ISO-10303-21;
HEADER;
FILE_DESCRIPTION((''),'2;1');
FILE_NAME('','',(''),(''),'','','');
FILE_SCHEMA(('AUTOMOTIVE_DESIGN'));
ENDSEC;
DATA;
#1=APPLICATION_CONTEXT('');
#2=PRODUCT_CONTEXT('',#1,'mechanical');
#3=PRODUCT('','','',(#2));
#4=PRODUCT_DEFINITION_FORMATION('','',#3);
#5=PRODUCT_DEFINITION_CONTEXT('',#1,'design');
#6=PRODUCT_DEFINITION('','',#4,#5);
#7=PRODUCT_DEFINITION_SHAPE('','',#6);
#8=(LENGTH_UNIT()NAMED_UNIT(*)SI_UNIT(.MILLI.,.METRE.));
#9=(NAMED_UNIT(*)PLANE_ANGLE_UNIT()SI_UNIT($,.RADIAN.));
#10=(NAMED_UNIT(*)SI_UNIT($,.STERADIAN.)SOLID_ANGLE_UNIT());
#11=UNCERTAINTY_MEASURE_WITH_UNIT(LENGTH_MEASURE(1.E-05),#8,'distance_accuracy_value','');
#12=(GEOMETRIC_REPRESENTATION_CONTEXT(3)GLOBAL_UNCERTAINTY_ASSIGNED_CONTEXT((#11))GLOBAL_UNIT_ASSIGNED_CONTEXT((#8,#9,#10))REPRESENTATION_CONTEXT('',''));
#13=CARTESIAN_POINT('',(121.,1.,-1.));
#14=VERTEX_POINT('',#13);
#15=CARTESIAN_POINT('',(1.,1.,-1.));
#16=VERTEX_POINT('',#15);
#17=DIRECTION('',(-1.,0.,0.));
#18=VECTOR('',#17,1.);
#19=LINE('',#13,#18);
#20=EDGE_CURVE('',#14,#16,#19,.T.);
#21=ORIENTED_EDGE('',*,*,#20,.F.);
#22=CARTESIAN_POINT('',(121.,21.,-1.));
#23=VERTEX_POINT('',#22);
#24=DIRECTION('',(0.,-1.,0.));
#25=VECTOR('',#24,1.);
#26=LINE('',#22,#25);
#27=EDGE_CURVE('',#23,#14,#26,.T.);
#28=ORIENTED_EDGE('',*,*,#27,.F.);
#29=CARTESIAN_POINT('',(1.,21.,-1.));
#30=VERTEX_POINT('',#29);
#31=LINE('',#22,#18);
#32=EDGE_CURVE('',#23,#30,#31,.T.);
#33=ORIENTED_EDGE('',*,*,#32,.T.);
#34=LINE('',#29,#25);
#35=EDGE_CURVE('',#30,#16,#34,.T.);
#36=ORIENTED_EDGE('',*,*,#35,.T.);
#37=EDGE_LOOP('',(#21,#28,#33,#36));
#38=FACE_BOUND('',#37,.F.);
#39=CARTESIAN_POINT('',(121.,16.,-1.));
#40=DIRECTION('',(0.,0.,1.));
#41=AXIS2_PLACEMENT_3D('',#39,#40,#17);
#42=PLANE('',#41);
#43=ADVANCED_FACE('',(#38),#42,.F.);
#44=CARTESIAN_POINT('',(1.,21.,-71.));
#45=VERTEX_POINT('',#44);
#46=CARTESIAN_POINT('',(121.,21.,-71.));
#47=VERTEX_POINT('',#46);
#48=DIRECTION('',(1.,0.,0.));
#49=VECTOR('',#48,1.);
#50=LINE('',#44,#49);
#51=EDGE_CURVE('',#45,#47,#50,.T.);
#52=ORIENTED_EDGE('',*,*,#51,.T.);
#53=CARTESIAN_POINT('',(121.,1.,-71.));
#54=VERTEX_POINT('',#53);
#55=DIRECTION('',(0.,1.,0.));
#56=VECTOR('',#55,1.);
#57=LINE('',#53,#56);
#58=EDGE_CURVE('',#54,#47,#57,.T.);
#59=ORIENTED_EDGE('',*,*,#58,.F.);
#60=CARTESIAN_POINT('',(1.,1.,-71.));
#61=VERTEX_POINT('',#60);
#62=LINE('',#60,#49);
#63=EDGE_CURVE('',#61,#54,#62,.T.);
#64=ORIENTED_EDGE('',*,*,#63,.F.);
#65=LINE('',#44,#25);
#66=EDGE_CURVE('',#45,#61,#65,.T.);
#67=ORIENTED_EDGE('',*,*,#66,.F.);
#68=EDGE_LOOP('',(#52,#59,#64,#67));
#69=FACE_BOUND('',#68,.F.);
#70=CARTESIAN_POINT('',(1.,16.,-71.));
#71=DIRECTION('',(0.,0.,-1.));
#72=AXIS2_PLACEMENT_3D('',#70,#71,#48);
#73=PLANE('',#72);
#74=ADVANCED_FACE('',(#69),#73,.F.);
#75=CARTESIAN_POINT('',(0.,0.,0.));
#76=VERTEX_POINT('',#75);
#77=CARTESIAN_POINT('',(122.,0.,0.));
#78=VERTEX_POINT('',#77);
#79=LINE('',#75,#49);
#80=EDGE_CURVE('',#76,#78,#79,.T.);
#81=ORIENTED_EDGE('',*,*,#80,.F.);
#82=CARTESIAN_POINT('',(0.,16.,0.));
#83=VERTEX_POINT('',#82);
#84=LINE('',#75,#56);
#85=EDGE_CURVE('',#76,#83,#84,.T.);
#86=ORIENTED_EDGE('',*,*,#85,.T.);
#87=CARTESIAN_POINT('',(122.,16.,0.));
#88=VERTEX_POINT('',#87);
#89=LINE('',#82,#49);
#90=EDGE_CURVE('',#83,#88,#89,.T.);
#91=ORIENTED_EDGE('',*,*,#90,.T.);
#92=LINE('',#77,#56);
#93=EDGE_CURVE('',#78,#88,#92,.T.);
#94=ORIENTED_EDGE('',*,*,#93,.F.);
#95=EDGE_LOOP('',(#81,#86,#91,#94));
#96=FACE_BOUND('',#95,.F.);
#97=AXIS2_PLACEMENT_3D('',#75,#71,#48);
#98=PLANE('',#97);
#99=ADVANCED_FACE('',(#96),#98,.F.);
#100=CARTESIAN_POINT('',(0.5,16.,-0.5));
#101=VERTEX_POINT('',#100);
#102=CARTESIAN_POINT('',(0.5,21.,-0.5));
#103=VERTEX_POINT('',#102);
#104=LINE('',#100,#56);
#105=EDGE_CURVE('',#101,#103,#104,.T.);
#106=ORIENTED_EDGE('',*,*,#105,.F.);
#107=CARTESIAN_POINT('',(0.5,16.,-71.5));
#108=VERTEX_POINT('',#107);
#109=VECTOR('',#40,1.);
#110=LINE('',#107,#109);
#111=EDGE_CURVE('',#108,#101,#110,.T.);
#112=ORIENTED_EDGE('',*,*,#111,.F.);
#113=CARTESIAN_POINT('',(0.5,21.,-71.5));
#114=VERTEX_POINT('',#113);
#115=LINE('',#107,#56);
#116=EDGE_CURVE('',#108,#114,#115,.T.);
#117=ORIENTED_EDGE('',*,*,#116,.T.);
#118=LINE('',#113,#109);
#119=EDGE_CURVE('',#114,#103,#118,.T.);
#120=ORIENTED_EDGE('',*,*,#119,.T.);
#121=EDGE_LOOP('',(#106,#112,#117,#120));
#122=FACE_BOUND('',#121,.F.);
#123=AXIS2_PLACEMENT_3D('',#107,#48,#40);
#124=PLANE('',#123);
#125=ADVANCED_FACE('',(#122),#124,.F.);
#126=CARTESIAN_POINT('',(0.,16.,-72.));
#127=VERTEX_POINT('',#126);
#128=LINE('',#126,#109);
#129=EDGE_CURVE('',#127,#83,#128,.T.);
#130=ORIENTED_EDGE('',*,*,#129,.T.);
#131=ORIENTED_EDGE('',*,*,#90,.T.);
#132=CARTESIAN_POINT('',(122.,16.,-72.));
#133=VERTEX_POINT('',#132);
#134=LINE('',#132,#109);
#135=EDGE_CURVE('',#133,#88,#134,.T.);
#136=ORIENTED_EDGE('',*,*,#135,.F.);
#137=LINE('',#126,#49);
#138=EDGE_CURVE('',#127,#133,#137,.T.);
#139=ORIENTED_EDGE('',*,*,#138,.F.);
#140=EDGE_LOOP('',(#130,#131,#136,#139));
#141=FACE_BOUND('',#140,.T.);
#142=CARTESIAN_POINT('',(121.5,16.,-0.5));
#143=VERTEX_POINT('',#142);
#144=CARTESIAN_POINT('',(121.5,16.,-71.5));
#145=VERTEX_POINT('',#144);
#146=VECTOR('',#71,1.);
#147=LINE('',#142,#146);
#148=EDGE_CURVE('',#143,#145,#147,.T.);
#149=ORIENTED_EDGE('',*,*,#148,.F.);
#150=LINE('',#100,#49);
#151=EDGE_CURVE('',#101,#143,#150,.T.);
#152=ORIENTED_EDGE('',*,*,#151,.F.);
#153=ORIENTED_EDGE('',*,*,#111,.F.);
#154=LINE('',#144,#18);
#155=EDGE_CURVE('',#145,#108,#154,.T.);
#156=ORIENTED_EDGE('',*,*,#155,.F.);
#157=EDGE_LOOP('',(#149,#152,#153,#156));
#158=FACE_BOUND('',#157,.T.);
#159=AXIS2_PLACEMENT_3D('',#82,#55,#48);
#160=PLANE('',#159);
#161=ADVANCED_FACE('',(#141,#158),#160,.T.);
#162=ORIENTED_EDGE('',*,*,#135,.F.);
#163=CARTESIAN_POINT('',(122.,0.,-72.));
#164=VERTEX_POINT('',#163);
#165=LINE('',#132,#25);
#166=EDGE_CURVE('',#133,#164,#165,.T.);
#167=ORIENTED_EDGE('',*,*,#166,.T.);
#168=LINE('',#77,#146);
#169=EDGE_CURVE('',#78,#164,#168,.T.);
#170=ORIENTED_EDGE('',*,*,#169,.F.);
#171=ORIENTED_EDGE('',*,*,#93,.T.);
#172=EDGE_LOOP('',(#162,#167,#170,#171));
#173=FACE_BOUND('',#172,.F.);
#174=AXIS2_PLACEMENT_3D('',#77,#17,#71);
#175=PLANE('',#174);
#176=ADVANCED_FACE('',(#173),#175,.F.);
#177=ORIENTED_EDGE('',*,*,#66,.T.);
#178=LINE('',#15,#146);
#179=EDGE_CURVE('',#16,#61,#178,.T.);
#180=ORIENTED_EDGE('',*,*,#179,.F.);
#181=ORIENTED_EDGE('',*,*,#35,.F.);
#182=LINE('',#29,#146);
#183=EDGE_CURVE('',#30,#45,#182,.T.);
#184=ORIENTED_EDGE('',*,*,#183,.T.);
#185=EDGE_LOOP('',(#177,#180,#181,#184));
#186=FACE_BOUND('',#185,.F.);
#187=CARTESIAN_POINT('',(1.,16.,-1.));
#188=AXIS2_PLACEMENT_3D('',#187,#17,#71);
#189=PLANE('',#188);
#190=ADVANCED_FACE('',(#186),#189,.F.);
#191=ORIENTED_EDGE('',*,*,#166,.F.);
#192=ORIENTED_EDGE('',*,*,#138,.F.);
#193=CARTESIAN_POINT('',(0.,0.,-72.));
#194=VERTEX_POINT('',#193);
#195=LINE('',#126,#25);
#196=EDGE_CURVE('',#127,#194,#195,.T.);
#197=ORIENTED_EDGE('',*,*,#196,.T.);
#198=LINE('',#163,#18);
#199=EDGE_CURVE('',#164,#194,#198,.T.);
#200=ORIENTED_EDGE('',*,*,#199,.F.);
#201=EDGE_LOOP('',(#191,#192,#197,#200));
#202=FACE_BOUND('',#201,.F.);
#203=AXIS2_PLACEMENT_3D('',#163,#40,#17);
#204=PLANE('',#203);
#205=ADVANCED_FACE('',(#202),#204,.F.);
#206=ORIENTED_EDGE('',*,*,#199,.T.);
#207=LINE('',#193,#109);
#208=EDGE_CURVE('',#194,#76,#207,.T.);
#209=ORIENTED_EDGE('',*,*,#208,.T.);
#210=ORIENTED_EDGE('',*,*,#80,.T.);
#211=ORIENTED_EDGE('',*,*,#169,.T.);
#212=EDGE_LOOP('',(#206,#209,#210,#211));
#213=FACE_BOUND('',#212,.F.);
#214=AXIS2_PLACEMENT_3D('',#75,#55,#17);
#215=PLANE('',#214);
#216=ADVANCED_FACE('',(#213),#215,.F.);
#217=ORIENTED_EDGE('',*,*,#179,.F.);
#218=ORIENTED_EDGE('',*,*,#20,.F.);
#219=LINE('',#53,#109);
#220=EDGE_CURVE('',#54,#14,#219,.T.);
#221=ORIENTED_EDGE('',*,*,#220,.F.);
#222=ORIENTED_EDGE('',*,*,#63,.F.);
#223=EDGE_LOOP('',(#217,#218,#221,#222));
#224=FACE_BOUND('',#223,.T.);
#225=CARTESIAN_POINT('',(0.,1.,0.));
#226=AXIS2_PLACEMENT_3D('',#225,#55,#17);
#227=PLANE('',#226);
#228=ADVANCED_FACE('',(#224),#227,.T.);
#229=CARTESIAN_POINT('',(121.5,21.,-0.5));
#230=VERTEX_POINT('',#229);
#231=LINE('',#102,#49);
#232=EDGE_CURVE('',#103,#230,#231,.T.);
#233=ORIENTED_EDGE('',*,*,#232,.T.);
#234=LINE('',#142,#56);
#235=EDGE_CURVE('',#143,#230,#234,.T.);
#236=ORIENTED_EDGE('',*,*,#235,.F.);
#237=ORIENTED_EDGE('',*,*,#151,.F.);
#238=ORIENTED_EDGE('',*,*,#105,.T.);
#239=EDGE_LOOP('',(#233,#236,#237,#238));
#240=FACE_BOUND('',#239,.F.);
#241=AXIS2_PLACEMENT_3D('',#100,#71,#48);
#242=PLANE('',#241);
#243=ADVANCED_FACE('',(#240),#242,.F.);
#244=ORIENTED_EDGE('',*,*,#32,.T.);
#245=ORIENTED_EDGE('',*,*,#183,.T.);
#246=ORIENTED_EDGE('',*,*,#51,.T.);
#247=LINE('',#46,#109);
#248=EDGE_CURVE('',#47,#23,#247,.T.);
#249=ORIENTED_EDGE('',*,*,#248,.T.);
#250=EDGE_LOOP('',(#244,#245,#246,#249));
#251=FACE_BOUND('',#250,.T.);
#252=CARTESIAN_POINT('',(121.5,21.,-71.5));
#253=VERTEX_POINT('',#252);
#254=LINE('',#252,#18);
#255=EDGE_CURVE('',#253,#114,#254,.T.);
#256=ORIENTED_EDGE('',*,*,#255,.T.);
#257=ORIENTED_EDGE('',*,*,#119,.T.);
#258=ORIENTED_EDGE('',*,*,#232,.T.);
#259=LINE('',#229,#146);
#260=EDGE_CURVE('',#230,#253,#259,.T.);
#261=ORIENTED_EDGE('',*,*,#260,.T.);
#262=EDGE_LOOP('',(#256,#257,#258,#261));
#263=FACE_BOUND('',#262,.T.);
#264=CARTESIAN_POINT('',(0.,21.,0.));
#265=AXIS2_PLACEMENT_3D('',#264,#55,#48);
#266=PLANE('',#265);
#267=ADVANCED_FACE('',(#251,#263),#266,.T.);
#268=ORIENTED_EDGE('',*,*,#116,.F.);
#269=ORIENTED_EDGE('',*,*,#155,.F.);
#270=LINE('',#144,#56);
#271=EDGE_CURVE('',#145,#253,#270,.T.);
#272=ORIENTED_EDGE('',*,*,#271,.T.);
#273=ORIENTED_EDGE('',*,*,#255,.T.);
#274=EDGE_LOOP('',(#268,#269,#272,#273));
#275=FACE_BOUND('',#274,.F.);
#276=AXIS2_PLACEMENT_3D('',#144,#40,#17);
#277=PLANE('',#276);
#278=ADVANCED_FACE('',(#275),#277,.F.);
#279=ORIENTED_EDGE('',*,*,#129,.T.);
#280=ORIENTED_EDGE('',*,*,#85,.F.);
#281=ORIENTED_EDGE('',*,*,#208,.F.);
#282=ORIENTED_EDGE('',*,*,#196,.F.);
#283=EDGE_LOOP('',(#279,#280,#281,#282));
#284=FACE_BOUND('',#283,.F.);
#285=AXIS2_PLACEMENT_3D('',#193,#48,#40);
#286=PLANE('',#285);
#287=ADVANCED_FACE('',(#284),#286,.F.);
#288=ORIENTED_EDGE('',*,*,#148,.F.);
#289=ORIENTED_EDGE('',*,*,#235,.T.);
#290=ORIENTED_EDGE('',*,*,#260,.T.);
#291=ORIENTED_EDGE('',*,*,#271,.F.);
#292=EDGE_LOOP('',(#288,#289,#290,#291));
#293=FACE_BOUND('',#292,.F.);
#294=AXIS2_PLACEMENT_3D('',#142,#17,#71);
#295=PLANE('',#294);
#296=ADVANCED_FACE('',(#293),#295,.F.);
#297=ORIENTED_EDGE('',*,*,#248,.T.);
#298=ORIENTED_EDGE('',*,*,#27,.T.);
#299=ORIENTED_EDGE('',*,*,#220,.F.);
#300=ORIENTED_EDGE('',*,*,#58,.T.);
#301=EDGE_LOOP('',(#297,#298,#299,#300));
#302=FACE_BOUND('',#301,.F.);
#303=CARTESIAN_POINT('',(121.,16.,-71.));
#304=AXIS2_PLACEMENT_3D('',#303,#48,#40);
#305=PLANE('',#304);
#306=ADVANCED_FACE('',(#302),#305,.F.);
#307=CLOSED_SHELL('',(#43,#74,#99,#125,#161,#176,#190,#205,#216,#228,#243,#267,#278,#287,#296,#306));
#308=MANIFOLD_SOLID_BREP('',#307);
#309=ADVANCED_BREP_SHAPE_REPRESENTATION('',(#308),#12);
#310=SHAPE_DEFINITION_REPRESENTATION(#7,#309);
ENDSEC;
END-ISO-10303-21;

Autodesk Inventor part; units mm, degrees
ref_plane "YZ Plane" through (0, 0, 0) normal (1, 0, 0) x (0, 1, 0)
ref_plane "XZ Plane" through (0, 0, 0) normal (0, 1, 0) x (-1, 0, 0)
ref_plane "XY Plane" through (0, 0, 0) normal (0, 0, 1) x (1, 0, 0)
sketch "Sketch1" plane through (0, 0, 0) normal (0, 1, 0) x (-1, 0, 0)
  point P0 (0, 0)
sketch "Sketch2" plane through (0, 0, 0) normal (0, 1, 0) x (-1, 0, 0)
  line L0 (0, 0) -> (-122, 0)
  line L1 (-122, 0) -> (-122, -72)
  line L2 (-122, -72) -> (0, -72)
  line L3 (0, -72) -> (0, 0)
  dimension "d0" = 122
  dimension "d1" = 72
extrude "Extrusion1" add sketch "Sketch2" along normal blind 1
sketch "Sketch3" plane through (0, 1, 0) normal (0, 1, 0) x (1, 0, 0)
  line L0 (122, 72) -> (0, 72) projected
  line L1 (0, 72) -> (1, 72)
  line L2 (1, 72) -> (1, 71)
  line L3 (1, 71) -> (0, 71)
  line L4 (0, 71) -> (0, 72)
  line L5 (122, 0) -> (122, 72) projected
  line L6 (122, 0) -> (121, 0)
  line L7 (121, 0) -> (121, 1)
  line L8 (121, 1) -> (122, 1)
  line L9 (122, 1) -> (122, 0)
  line L10 (1, 71) -> (121, 71)
  line L11 (121, 71) -> (121, 1)
  line L12 (121, 1) -> (1, 1)
  line L13 (1, 1) -> (1, 71)
  line L14 (0, 71) -> (122, 71)
  line L15 (122, 71) -> (122, 0)
  line L16 (122, 0) -> (0, 0)
  line L17 (0, 0) -> (0, 71)
  dimension "d4" = 1
  dimension "d5" = 1
  dimension "d6" = 1
  dimension "d7" = 1
extrude "Extrusion2" add sketch "Sketch3" along normal blind 15 contours L5 L14 L10 L2 L0 | L2 L3 L4 L0 | L5 L8 L11 L14 | L13 L12 L7 L16 L17 L3 | L5 L6 L7 L8
sketch "Sketch5" plane through (0, 16, 0) normal (0, 1, 0) x (1, 0, 0)
  line L0 (0, 0) -> (122, 0) projected
  line L1 (0, 0) -> (0.5, 0)
  line L2 (0.5, 0) -> (0.5, 0.5)
  line L3 (0.5, 0.5) -> (0, 0.5)
  line L4 (0, 0.5) -> (0, 0)
  line L5 (122, 72) -> (121.5, 72)
  line L6 (121.5, 72) -> (121.5, 71.5)
  line L7 (121.5, 71.5) -> (122, 71.5)
  line L8 (122, 71.5) -> (122, 72)
  line L9 (121.5, 71.5) -> (0.5, 71.5)
  line L10 (0.5, 71.5) -> (0.5, 0.5)
  line L11 (0.5, 0.5) -> (121.5, 0.5)
  line L12 (121.5, 0.5) -> (121.5, 71.5)
  line L13 (121, 71) -> (121, 1) projected
  line L14 (1, 1) -> (1, 71) projected
  line L15 (121, 1) -> (1, 1)
  line L16 (1, 1) -> (1, 71)
  line L17 (1, 71) -> (121, 71)
  line L18 (121, 71) -> (121, 1)
  point P0 (121, 71)
  dimension "d10" = 0.5
  dimension "d11" = 0.5
  dimension "d12" = 0.5
  dimension "d13" = 0.5
extrude "Extrusion3" add sketch "Sketch5" along normal blind 5 contours L10 L9 L12 L11
properties part number "tapa"
